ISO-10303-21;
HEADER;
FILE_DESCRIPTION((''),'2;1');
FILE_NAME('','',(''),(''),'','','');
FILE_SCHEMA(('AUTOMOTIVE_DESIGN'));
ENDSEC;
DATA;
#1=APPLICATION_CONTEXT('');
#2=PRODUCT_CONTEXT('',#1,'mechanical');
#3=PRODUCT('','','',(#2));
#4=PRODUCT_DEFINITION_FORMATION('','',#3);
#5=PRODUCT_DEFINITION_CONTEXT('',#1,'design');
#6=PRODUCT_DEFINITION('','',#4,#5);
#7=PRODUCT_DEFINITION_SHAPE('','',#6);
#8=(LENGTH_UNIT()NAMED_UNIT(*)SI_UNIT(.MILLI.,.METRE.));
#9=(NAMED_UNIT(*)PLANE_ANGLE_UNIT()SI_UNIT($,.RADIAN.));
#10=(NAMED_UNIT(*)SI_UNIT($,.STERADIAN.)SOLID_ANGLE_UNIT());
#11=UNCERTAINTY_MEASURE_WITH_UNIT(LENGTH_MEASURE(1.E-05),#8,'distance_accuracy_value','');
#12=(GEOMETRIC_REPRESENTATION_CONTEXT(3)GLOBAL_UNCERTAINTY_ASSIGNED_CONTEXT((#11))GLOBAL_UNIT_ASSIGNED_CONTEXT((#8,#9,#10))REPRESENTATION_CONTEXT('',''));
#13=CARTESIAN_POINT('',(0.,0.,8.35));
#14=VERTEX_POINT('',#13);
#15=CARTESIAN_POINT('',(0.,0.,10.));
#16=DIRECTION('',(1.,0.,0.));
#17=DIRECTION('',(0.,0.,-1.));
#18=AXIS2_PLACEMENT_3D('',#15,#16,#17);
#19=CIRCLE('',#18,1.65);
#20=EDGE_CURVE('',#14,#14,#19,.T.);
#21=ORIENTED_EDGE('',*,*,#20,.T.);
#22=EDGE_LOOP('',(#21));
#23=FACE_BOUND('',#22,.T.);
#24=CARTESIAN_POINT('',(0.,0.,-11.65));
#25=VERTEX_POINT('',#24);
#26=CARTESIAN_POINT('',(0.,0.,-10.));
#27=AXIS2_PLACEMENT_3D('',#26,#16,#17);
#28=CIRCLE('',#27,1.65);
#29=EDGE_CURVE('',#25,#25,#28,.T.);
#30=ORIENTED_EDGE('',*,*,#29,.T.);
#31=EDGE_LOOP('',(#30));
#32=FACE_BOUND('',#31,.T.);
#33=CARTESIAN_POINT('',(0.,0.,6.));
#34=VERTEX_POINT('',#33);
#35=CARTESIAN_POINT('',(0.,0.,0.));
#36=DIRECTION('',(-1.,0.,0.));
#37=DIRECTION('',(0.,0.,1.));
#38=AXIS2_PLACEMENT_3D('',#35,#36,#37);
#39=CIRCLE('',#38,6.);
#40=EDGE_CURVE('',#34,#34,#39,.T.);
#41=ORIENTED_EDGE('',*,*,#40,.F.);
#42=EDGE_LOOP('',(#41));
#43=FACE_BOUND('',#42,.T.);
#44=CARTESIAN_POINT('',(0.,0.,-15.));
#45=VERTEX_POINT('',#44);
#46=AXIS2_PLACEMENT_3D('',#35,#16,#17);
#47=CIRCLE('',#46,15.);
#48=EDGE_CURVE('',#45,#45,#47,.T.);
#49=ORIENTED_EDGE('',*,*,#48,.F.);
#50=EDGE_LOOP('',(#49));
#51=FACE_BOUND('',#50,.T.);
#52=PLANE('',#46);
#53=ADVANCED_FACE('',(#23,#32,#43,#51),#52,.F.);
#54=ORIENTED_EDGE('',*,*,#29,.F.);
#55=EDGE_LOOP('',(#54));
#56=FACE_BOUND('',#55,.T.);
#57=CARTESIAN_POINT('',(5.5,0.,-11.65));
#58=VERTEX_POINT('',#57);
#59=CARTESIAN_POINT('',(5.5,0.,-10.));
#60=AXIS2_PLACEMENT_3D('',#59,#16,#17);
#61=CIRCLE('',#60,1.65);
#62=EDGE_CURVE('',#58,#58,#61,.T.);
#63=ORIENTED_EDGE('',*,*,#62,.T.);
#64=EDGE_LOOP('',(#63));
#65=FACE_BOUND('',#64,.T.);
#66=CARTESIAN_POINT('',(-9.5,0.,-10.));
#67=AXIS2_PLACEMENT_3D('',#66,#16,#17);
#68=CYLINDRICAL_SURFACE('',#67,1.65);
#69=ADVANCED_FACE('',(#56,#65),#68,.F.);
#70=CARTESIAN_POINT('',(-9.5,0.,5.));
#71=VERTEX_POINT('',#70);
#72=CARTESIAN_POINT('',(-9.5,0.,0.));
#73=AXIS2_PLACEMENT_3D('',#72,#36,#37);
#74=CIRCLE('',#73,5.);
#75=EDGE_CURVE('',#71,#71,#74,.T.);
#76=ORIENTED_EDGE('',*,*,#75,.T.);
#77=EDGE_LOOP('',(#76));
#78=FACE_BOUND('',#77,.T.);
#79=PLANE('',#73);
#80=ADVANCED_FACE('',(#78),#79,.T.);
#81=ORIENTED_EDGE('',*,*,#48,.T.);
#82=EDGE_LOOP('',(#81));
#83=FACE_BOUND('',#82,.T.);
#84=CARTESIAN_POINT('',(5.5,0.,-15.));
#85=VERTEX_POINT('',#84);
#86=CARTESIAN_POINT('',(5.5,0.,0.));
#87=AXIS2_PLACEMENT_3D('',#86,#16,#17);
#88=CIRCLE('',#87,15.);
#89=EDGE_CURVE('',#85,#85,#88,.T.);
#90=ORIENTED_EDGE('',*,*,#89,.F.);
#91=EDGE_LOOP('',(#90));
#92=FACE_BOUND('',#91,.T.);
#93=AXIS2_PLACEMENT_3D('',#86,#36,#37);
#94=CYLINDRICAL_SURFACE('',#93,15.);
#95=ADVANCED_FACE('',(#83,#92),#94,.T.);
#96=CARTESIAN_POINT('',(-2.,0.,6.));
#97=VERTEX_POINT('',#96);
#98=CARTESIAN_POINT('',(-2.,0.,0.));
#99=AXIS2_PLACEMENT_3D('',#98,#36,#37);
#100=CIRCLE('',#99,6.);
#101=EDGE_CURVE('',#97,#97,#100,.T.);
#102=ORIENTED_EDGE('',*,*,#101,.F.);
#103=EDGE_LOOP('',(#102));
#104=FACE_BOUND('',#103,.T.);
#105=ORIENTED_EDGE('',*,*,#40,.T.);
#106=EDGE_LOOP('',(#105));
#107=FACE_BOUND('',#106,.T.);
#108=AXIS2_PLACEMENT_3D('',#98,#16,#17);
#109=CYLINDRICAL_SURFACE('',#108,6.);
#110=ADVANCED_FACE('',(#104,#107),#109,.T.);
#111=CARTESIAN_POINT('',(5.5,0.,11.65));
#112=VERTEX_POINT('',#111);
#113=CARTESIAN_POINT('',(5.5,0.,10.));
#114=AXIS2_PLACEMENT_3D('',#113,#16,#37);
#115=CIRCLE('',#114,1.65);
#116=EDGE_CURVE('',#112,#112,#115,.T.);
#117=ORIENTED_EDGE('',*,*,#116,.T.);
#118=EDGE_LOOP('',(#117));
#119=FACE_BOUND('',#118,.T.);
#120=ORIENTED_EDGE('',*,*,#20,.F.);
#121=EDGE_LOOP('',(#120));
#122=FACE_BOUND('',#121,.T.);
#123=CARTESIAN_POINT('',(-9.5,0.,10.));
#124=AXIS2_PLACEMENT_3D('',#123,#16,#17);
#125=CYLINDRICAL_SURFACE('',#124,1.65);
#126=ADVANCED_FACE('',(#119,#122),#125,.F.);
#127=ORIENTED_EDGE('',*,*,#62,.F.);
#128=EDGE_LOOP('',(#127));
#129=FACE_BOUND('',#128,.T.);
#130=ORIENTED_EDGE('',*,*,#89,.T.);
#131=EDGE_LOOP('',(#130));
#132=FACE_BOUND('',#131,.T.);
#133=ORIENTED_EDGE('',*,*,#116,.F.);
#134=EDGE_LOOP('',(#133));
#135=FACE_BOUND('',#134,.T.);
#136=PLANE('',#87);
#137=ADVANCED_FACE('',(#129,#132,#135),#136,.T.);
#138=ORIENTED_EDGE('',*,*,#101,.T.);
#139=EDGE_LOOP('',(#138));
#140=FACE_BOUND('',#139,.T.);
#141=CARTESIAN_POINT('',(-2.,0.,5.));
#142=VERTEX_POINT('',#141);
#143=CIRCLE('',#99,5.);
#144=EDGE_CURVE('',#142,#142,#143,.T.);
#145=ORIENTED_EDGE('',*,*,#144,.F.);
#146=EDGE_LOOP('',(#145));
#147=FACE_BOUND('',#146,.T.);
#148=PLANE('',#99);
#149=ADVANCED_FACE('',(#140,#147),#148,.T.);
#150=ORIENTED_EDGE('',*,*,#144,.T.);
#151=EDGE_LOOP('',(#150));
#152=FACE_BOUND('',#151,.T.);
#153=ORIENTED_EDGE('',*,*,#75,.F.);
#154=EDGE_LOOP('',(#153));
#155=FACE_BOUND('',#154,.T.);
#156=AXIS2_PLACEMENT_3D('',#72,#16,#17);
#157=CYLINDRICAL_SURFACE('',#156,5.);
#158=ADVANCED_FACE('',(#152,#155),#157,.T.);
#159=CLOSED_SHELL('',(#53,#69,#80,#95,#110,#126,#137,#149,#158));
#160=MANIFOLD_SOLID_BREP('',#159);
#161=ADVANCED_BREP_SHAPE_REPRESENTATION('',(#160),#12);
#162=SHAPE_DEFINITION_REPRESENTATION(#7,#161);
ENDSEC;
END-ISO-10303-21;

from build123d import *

# Parameters (mm, degrees)
SKETCH_1_R          = 15
EXTRUDE_1_DEPTH     = 5.5
SKETCH_2_R          = 6
EXTRUDE_2_DEPTH     = 2
SKETCH_3_R          = 5
EXTRUDE_3_DEPTH     = 7.5
SKETCH_4_R          = 1.65
CUT_EXTRUDE_1_DEPTH = 26.980762114


with BuildPart() as part:
    # ｽｹｯﾁ1 → ﾎﾞｽ - 押し出し1 (new body)
    with BuildSketch(Plane(origin=(0, 0, 0), x_dir=(0, 0, -1), z_dir=(1, 0, 0))):
        Circle(SKETCH_1_R)
    extrude(amount=EXTRUDE_1_DEPTH)

    # ｽｹｯﾁ2 → ﾎﾞｽ - 押し出し2 (add)
    with BuildSketch(Plane.ZY):
        Circle(SKETCH_2_R)
    extrude(amount=EXTRUDE_2_DEPTH)

    # ｽｹｯﾁ3 → ﾎﾞｽ - 押し出し3 (add)
    with BuildSketch(Plane.ZY.offset(2)):
        Circle(SKETCH_3_R)
    extrude(amount=EXTRUDE_3_DEPTH)

    # ｽｹｯﾁ4 → ｶｯﾄ - 押し出し1 (cut, through all)
    with BuildSketch(Plane(origin=(5.5, 0, 0), x_dir=(0, 0, -1), z_dir=(1, 0, 0))):
        with Locations((10, 0)):
            Circle(SKETCH_4_R)
        with Locations((-10, 0)):
            Circle(SKETCH_4_R)
    extrude(amount=-CUT_EXTRUDE_1_DEPTH, mode=Mode.SUBTRACT)


solid = part.part
